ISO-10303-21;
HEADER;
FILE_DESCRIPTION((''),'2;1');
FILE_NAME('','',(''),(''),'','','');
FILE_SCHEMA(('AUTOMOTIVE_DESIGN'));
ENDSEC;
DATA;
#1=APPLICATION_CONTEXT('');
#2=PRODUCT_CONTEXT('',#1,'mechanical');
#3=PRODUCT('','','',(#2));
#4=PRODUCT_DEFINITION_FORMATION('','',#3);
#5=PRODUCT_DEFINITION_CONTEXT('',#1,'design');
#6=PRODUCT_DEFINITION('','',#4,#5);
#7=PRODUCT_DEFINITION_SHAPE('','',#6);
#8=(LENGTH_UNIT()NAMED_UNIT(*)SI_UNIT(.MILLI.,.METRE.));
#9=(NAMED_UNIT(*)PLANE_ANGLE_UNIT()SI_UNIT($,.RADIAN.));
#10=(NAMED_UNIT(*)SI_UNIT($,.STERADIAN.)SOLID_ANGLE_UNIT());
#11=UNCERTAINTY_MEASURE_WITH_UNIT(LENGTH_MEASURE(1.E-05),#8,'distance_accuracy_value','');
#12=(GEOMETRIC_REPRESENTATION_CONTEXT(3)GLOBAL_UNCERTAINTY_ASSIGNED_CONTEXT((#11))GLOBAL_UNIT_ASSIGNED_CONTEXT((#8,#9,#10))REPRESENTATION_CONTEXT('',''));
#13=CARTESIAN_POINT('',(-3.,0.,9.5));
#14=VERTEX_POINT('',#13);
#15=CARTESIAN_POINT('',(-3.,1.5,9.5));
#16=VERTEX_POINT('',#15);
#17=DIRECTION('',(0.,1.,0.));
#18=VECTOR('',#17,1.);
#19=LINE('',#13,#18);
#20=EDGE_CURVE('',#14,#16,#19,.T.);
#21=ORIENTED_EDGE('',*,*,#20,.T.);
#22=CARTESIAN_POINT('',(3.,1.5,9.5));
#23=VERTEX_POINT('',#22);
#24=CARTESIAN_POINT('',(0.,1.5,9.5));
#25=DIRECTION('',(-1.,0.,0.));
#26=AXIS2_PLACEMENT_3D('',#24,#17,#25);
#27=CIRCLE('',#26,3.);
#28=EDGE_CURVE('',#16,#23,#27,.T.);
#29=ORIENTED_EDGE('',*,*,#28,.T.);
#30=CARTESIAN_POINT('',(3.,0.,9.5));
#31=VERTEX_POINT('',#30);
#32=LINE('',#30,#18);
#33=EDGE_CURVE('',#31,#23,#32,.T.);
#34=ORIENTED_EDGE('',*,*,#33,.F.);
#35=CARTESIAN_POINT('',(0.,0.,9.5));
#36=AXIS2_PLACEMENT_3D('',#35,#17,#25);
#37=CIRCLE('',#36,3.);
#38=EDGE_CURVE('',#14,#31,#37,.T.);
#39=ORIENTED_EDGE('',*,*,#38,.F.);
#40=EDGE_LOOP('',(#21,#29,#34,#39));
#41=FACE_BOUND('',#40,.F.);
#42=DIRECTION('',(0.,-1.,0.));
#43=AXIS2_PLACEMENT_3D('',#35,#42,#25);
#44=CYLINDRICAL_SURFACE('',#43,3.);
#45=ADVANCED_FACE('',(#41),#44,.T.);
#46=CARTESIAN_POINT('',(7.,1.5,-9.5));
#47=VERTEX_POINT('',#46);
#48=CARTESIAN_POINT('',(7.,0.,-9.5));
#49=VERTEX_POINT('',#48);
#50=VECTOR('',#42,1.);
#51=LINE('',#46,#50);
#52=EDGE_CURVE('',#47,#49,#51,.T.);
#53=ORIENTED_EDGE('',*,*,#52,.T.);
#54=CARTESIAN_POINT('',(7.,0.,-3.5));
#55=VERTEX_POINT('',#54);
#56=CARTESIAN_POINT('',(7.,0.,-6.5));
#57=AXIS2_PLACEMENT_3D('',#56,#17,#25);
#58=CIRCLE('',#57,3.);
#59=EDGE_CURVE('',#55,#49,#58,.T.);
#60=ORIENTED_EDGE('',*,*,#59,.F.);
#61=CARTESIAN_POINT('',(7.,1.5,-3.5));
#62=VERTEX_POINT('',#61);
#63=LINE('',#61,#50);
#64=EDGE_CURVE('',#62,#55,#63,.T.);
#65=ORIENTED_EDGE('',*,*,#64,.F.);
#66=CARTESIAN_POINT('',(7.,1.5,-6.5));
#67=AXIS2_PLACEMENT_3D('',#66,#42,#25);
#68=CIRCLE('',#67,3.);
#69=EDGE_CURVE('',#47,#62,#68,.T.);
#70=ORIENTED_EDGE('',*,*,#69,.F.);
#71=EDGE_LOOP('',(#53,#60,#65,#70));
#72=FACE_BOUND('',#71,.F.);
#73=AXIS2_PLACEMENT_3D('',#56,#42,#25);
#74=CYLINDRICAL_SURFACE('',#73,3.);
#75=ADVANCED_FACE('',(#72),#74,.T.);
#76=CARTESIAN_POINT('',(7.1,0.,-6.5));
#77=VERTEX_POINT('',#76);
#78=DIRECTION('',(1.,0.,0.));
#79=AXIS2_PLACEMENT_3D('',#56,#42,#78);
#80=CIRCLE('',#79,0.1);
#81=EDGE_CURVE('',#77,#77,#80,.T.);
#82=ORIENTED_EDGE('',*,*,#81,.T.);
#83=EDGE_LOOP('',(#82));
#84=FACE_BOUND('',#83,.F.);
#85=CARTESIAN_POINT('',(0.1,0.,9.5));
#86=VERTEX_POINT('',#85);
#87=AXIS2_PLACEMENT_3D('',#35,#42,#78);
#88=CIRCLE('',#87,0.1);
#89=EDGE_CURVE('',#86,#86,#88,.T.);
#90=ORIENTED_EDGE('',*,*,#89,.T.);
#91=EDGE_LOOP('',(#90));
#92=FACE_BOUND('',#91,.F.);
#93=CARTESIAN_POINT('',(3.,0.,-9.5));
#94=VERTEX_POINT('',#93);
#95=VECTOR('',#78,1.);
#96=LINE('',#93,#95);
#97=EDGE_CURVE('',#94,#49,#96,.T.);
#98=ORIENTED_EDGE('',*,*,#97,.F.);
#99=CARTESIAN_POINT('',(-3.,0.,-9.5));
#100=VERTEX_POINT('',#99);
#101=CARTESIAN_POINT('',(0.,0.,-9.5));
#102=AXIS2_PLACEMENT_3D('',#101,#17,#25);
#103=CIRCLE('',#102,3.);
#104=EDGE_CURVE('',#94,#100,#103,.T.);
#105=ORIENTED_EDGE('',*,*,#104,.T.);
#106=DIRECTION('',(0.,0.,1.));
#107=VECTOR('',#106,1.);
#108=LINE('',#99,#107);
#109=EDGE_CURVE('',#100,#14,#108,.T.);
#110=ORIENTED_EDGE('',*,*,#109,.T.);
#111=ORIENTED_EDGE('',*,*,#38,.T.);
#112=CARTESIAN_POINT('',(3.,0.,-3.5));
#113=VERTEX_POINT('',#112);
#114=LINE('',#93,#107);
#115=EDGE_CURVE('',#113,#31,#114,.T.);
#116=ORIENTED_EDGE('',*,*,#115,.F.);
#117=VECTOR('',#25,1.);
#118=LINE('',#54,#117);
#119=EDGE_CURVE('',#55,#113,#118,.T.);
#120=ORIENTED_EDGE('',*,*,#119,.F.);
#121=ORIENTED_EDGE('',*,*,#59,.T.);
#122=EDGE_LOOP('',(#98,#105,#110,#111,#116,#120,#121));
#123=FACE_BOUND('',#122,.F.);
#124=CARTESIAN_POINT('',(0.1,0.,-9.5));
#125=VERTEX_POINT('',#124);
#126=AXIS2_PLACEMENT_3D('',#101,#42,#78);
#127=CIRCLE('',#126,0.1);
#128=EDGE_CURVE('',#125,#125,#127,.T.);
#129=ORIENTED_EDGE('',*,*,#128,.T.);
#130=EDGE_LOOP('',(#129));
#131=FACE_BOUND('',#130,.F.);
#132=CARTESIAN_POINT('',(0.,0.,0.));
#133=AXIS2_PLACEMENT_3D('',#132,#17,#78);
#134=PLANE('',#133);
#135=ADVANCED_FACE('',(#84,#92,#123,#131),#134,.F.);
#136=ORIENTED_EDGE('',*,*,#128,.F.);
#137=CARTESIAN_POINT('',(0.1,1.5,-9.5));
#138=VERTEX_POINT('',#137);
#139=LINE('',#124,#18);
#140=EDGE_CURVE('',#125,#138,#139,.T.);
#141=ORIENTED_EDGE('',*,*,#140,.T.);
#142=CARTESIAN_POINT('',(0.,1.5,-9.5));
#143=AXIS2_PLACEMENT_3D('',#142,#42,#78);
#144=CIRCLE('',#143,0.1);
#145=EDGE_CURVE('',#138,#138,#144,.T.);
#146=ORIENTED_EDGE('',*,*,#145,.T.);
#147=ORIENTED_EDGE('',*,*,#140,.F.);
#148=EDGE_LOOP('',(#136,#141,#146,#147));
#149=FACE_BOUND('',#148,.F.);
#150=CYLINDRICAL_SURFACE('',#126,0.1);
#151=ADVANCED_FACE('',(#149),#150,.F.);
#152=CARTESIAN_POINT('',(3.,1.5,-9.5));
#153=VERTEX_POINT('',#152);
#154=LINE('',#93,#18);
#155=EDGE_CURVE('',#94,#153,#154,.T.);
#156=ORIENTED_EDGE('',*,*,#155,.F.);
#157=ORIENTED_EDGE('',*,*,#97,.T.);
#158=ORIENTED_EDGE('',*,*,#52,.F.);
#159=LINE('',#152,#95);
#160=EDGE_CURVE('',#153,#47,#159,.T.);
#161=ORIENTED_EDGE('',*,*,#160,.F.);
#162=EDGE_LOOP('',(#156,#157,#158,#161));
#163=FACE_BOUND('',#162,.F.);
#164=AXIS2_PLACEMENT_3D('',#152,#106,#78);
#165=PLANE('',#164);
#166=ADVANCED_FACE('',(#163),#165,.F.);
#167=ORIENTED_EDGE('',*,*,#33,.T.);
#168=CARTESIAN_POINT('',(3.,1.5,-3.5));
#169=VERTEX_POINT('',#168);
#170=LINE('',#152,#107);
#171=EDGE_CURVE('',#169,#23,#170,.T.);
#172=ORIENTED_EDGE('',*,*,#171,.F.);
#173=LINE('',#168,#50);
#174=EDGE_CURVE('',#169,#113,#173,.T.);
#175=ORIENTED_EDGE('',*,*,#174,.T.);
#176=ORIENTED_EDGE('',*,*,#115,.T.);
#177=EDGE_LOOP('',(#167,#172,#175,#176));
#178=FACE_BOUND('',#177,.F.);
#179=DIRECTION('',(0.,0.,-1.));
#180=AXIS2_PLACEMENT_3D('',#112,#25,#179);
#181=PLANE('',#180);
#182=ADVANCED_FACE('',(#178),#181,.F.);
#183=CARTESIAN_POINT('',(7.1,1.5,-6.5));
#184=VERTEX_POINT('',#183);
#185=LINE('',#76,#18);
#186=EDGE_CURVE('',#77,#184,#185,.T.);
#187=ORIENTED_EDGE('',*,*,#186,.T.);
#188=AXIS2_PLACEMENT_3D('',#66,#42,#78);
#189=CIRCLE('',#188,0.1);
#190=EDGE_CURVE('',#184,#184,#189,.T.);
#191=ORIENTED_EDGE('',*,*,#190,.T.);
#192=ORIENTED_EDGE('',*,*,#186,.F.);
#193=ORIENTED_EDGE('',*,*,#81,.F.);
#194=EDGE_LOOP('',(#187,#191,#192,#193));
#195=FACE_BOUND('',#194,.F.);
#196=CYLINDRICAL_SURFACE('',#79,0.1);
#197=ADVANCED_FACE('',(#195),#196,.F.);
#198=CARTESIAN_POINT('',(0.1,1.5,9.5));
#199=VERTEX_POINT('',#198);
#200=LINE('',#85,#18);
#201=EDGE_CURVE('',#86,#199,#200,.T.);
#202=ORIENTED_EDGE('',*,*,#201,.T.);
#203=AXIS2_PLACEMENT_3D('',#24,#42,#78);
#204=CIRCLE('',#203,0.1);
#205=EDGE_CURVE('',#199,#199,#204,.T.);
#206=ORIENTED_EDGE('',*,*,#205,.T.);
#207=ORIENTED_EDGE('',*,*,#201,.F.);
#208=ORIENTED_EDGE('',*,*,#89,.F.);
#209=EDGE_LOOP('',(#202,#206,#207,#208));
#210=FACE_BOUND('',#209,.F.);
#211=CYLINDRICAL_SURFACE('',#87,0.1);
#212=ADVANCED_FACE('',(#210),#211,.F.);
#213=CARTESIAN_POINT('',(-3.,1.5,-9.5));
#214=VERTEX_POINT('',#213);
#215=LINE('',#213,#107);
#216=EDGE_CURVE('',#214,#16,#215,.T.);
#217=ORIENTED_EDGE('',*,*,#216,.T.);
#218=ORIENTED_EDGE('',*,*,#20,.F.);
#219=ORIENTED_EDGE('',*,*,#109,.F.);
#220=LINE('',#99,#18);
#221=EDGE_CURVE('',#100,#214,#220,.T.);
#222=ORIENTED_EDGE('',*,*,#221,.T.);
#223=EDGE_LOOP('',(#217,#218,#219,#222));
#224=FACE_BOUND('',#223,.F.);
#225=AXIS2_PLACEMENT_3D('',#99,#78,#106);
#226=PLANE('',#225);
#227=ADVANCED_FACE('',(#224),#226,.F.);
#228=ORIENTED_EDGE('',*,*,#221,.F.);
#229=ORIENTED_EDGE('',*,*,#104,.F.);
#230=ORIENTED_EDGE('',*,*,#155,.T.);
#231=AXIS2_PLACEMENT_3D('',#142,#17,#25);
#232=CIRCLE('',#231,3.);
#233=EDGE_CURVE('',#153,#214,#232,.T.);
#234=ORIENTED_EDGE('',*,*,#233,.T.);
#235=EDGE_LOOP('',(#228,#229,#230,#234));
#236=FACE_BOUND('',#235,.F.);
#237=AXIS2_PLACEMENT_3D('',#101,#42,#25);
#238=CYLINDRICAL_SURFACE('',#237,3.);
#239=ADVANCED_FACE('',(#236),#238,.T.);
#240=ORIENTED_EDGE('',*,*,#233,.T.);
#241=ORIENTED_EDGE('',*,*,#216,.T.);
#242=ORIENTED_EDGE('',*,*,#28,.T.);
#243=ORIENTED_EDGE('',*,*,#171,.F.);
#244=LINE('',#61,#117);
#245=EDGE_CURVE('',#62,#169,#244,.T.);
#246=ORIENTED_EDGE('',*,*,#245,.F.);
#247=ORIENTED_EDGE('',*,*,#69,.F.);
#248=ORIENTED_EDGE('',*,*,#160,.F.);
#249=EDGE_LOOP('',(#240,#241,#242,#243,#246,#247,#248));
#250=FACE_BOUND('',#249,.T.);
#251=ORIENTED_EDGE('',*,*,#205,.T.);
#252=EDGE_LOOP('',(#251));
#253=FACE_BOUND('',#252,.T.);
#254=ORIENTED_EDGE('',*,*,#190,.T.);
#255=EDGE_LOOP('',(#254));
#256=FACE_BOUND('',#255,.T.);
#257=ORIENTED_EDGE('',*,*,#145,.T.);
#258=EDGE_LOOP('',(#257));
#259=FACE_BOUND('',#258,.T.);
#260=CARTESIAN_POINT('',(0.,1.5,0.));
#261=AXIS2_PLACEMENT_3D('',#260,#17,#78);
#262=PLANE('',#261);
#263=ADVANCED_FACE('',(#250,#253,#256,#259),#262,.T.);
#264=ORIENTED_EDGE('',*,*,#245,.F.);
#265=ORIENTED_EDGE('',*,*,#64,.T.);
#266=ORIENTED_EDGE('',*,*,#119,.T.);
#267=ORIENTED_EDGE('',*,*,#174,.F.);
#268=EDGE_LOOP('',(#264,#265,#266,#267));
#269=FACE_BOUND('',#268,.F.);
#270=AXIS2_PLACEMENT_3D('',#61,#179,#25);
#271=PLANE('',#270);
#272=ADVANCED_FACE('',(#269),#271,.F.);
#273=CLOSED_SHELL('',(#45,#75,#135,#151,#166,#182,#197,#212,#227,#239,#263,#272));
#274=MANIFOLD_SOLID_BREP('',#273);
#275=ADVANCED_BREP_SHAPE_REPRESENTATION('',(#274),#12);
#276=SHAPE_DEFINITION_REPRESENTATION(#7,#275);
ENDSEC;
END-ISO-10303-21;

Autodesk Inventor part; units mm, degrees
ref_plane "YZ Plane" through (0, 0, 0) normal (1, 0, 0) x (0, 1, 0)
ref_plane "XZ Plane" through (0, 0, 0) normal (0, 1, 0) x (-1, 0, 0)
ref_plane "XY Plane" through (0, 0, 0) normal (0, 0, 1) x (1, 0, 0)
sketch "Sketch1" plane through (0, 0, 0) normal (0, 1, 0) x (-1, 0, 0)
  line L0 (3, 9.5) -> (-3, 9.5)
  line L1 (-3, 9.5) -> (-3, -9.5)
  line L2 (-3, -9.5) -> (3, -9.5)
  line L3 (3, -9.5) -> (3, 9.5)
  line L4 (3, 9.5) -> (-3, -9.5) construction
  line L5 (-3, 9.5) -> (3, -9.5) construction
  circle A0 centre (0, 9.5) radius 3
  circle A1 centre (0, -9.5) radius 3
  line L6 (-3, -9.5) -> (-7, -9.5)
  line L7 (-7, -9.5) -> (-7, -5.5)
  line L8 (-7, -5.5) -> (-7, -3.5)
  line L9 (-7, -3.5) -> (-3, -3.5)
  line L10 (-7, -3.5) -> (-7, -6.5)
  circle A2 centre (-7, -6.5) radius 3
  line L11 (-3, -3.5) -> (-3, -9.5)
  point P0 (0, 0)
  dimension "d0" = 6
  dimension "d1" = 19
  dimension "d2" = 6
  dimension "d4" = 6
  dimension "d5" = 4
  dimension "d6" = 4
  dimension "d7" = 2
  dimension "d10" = 3
  dimension "d11" = 6
extrude "Extrusion1" add sketch "Sketch1" along normal blind 1.5 contours A0 L0 | L0 A0 | L3 A1 L1 A0 | A1 L2 | L2 A1 | A2 L7 L8 | L8 L7 A2
sketch "Sketch2" plane through (0, 1.5, 0) normal (0, 1, 0) x (1, 0, 0)
  line L0 (3, -9.5) -> (3, 9.5) projected
  arc A0 (3, 9.5) -> (-3, 9.5) centre (0, 9.5) ccw projected
  line L1 (-3, 9.5) -> (-3, -9.5) projected
  arc A1 (-3, -9.5) -> (3, -9.5) centre (0, -9.5) ccw projected
  circle A2 centre (0, 9.5) radius 1.5
  circle A3 centre (0, -9.5) radius 1.5
  line L2 (3, 9.5) -> (7, 9.5)
  line L3 (7, 9.5) -> (7, 3.5)
  line L4 (7, 3.5) -> (3, 3.5)
  line L5 (3, 3.5) -> (3, 9.5)
  point P0 (0, 0)
  dimension "d14" = 3
  dimension "d15" = 3
  dimension "d16" = 4
  dimension "d17" = 6
extrude "Extrusion2" cut sketch "Sketch2" against normal blind 1.5 contours L0 L2 L3 L4 | A2 | A3
sketch "Sketch3" plane through (0, 1.5, 0) normal (0, 1, 0) x (1, 0, 0)
  line L0 (3, -9.5) -> (3, 9.5) projected
  arc A0 (3, 9.5) -> (-3, 9.5) centre (0, 9.5) ccw projected
  line L1 (-3, 9.5) -> (-3, -9.5) projected
  line L2 (3, 9.5) -> (7, 9.5)
  line L3 (7, 9.5) -> (7, 3.5)
  line L4 (7, 3.5) -> (3, 3.5)
  line L5 (3, 3.5) -> (3, 9.5)
  point P0 (0, 0)
  dimension "d20" = 4
  dimension "d21" = 6
  dimension "d22" = 4
extrude "Extrusion3" add sketch "Sketch3" against normal blind 1.5
sketch "Sketch4" plane through (0, 1.5, 0) normal (0, 1, 0) x (1, 0, 0)
  arc A0 (7, 3.5) -> (7, 9.5) centre (7, 6.5) ccw projected
  circle A1 centre (7, 6.5) radius 1.5
  point P0 (0, 0)
  dimension "d25" = 3
extrude "Extrusion4" cut sketch "Sketch4" against normal blind 1.5
sketch "Sketch5" plane through (0, 0, 0) normal (0, -1, 0) x (1, 0, 0)
  circle A0 centre (7, -6.5) radius 1.5 projected
  circle A1 centre (0, 9.5) radius 1.5 projected
  circle A2 centre (0, -9.5) radius 1.5 projected
  arc A3 (7, -9.5) -> (7, -3.5) centre (7, -6.5) ccw projected
  arc A4 (3, 9.5) -> (-3, 9.5) centre (0, 9.5) ccw projected
  arc A5 (-3, -9.5) -> (3, -9.5) centre (0, -9.5) ccw projected
  circle A6 centre (0, 9.5) radius 0.1
  circle A7 centre (0, -9.5) radius 0.1
  circle A8 centre (7, -6.5) radius 0.1
  point P0 (0, 0)
  dimension "d28" = 0.2
  dimension "d29" = 0.2
  dimension "d30" = 0.2
extrude "Extrusion5" add sketch "Sketch5" against normal blind 1.5
properties part number "tahlo3_sablona_19"
